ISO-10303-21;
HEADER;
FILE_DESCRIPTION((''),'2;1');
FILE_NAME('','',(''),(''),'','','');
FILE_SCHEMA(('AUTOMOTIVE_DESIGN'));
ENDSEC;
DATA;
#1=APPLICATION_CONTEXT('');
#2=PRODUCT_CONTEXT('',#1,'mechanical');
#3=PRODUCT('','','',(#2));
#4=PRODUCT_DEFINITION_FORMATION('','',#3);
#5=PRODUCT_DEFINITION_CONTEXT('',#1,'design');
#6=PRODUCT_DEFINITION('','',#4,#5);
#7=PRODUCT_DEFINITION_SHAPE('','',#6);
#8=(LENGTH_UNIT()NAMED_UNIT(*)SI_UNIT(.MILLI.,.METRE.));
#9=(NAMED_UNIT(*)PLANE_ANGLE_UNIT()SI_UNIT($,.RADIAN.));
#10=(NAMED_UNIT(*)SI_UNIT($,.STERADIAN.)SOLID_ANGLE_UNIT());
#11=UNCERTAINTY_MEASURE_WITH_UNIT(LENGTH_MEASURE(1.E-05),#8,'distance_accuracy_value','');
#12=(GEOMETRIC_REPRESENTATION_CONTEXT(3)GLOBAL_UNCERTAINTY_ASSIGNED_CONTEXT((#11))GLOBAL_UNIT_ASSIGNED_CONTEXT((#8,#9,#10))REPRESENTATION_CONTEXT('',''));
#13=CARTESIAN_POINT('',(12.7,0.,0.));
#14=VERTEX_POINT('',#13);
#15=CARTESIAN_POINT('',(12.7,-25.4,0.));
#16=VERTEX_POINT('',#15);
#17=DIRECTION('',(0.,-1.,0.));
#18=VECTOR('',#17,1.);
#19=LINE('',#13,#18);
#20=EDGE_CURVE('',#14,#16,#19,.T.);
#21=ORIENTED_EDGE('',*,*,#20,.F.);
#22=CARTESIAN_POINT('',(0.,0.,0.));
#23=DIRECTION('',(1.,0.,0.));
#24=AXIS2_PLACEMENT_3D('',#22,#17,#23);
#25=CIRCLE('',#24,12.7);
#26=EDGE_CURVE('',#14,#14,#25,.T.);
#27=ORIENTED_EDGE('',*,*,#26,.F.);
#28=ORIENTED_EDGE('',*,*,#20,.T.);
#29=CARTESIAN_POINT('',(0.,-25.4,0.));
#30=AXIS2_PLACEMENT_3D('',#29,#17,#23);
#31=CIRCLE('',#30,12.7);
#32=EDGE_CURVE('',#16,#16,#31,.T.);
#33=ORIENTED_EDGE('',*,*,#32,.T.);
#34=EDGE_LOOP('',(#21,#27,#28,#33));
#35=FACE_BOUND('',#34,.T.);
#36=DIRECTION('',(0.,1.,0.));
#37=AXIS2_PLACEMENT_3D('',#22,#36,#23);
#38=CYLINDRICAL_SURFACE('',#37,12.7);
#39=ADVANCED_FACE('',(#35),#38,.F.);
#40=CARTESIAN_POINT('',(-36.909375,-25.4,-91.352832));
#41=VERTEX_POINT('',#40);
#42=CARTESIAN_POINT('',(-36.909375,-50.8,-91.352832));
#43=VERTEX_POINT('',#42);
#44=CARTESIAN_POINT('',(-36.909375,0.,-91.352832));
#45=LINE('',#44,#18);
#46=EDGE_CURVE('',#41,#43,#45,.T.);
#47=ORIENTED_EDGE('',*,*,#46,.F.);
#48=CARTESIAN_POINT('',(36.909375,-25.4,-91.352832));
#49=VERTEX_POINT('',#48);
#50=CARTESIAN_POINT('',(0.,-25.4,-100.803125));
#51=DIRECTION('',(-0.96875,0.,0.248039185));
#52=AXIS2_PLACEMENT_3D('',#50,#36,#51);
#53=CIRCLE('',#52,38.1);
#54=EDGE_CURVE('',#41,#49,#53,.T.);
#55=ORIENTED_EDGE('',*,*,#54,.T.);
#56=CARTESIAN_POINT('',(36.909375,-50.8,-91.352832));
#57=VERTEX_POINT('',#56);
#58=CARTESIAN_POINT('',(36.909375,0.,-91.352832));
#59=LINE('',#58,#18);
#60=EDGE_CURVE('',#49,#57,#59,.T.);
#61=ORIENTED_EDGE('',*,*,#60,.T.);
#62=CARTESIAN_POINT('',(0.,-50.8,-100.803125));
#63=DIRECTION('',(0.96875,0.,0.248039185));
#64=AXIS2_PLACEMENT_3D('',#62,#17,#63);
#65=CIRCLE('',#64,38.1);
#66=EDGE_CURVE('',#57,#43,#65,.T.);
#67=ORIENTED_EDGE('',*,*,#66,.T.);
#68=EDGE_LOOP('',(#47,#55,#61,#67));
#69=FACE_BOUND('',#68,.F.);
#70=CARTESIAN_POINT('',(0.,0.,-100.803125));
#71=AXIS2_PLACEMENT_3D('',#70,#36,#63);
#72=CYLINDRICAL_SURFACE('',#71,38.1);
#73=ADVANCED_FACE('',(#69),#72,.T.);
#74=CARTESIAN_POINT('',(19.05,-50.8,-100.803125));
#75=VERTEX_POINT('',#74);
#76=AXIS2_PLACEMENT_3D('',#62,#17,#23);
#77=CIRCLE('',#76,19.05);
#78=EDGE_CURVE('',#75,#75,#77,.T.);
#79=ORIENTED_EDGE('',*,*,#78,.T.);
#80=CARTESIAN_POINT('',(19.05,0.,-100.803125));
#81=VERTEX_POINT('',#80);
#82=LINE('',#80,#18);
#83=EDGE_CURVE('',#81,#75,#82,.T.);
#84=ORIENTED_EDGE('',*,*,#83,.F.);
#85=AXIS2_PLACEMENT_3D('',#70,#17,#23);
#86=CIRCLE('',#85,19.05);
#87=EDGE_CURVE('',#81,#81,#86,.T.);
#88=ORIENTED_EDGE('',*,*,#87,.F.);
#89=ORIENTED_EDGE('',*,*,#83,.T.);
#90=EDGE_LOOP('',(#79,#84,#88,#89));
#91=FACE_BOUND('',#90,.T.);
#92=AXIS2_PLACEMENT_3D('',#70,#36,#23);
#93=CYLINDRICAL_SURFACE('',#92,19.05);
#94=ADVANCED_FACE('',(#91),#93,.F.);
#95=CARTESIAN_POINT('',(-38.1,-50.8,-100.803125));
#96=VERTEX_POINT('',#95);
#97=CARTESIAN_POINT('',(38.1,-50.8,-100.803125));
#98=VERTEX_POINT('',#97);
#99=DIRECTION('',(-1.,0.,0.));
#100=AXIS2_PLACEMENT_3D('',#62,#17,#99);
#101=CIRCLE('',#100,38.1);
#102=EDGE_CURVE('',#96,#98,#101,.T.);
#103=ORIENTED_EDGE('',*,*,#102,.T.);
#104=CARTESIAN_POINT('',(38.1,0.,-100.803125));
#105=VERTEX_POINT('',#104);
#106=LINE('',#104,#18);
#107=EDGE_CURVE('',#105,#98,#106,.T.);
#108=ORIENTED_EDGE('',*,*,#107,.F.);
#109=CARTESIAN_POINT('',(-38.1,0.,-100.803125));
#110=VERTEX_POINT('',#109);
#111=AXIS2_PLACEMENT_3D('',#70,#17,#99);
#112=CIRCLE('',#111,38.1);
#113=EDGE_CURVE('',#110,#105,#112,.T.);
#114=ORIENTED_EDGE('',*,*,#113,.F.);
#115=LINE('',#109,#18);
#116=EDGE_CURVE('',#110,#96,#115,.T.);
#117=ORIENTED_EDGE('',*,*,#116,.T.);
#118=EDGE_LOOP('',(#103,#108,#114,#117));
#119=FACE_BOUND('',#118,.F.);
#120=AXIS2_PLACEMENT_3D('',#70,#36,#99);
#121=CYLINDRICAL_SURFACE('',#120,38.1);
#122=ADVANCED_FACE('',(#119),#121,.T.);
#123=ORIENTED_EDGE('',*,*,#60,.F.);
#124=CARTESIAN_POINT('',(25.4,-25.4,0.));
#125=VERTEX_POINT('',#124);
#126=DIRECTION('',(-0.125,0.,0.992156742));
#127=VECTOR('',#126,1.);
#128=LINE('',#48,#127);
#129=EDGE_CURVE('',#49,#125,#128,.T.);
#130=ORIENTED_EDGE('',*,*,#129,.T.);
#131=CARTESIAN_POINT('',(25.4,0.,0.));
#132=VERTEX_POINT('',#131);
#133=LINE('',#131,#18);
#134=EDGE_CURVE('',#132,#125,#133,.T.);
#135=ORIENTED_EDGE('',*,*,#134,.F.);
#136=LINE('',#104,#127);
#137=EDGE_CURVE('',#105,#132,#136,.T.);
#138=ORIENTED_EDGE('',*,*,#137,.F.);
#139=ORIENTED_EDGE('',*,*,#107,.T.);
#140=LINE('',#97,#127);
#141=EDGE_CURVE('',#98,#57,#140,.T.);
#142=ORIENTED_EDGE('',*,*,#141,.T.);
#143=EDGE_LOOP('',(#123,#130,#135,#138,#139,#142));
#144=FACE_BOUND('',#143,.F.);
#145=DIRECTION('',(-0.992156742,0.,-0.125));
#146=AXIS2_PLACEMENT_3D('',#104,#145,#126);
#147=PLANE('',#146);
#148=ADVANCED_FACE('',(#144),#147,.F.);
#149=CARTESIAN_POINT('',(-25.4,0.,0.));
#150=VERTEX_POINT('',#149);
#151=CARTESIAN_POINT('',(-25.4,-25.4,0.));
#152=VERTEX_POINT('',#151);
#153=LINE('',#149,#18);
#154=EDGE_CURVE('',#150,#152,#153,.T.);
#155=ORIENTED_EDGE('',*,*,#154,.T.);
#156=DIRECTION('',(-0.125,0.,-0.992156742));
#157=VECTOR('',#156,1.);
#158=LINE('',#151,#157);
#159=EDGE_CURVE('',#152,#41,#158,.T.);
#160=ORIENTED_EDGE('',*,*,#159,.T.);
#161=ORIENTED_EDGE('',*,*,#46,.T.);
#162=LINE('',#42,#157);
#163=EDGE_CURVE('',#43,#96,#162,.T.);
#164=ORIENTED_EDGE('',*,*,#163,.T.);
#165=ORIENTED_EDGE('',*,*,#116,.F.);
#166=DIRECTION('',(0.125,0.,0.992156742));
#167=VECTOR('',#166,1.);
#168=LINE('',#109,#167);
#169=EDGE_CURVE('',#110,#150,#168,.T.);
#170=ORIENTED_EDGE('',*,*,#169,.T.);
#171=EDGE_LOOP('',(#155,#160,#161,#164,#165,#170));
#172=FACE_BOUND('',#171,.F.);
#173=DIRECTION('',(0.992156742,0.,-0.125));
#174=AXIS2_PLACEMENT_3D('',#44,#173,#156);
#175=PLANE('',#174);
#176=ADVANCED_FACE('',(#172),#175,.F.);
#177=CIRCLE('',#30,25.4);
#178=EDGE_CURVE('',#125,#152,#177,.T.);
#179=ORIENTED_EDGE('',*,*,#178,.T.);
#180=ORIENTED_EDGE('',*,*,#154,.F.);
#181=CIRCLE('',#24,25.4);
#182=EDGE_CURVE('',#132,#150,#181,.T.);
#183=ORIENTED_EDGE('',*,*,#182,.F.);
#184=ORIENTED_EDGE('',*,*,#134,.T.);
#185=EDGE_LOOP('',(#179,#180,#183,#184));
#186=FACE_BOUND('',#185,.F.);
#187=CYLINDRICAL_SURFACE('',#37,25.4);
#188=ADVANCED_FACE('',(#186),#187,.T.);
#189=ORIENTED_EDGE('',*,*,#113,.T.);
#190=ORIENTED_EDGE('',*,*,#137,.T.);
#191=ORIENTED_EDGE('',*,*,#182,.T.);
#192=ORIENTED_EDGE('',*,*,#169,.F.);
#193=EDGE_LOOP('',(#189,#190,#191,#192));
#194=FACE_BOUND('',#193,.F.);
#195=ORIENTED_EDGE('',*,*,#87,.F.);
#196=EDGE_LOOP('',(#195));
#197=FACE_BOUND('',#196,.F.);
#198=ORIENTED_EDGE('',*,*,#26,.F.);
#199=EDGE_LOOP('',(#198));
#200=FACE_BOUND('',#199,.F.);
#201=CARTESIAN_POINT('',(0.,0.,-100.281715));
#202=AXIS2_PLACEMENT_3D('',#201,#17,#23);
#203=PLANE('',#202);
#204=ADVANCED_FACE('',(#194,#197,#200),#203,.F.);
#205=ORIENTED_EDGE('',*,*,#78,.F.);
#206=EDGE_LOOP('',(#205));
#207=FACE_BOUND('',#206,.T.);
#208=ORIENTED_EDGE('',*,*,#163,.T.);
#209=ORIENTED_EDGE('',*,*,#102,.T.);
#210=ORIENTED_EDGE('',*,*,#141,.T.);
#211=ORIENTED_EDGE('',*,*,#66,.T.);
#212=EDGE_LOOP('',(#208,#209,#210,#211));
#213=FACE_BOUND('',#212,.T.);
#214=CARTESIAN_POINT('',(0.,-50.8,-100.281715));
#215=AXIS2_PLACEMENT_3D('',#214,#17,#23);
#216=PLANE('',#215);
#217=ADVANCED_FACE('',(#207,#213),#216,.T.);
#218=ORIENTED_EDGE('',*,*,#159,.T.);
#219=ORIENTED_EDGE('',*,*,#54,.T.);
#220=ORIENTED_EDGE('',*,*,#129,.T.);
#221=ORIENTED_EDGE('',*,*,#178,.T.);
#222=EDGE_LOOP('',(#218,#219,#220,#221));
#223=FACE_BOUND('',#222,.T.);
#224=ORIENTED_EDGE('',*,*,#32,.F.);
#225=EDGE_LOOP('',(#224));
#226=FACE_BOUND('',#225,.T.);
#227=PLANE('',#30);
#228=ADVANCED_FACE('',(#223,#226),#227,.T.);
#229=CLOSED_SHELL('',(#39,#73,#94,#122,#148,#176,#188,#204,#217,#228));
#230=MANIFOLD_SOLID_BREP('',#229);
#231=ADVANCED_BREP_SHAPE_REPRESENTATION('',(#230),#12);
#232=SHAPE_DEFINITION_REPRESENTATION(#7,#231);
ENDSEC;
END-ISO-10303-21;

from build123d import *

# Parameters (mm, degrees)
F0_R     = 12.7
F1_DEPTH = 25.4
F0_R_2   = 19.05
F2_DEPTH = 50.8


with BuildPart() as f1:
    # F0 (on Front) → F1 (new body)
    with BuildSketch(Plane.XZ):
        with BuildLine():
            ThreePointArc((-25.4, 0), (0, -25.4), (25.4, 0))
            ThreePointArc((25.4, 0), (0, 25.4), (-25.4, 0))
        make_face()
        Circle(F0_R, mode=Mode.SUBTRACT)
        with BuildLine():
            Line((36.909375, -91.3528319874), (25.4, 0))
            ThreePointArc((25.4, 0), (0, -25.4), (-25.4, 0))
            Line((-25.4, 0), (-36.909375, -91.3528319874))
            ThreePointArc((-36.909375, -91.3528319874), (0, -62.7031249516), (36.909375, -91.3528319874))
        make_face()
    extrude(amount=F1_DEPTH)

    # F0 (on Front) → F2 (join)
    with BuildSketch(Plane.XZ):
        with BuildLine():
            Line((38.1, -100.8031249516), (36.909375, -91.3528319874))
            ThreePointArc((36.909375, -91.3528319874), (0, -62.7031249516), (-36.909375, -91.3528319874))
            Line((-36.909375, -91.3528319874), (-38.1, -100.8031249516))
            ThreePointArc((-38.1, -100.8031249516), (0, -138.9031249516), (38.1, -100.8031249516))
        make_face()
        with Locations((0, -100.8031249516)):
            Circle(F0_R_2, mode=Mode.SUBTRACT)
    extrude(amount=F2_DEPTH)


solid = f1.part
